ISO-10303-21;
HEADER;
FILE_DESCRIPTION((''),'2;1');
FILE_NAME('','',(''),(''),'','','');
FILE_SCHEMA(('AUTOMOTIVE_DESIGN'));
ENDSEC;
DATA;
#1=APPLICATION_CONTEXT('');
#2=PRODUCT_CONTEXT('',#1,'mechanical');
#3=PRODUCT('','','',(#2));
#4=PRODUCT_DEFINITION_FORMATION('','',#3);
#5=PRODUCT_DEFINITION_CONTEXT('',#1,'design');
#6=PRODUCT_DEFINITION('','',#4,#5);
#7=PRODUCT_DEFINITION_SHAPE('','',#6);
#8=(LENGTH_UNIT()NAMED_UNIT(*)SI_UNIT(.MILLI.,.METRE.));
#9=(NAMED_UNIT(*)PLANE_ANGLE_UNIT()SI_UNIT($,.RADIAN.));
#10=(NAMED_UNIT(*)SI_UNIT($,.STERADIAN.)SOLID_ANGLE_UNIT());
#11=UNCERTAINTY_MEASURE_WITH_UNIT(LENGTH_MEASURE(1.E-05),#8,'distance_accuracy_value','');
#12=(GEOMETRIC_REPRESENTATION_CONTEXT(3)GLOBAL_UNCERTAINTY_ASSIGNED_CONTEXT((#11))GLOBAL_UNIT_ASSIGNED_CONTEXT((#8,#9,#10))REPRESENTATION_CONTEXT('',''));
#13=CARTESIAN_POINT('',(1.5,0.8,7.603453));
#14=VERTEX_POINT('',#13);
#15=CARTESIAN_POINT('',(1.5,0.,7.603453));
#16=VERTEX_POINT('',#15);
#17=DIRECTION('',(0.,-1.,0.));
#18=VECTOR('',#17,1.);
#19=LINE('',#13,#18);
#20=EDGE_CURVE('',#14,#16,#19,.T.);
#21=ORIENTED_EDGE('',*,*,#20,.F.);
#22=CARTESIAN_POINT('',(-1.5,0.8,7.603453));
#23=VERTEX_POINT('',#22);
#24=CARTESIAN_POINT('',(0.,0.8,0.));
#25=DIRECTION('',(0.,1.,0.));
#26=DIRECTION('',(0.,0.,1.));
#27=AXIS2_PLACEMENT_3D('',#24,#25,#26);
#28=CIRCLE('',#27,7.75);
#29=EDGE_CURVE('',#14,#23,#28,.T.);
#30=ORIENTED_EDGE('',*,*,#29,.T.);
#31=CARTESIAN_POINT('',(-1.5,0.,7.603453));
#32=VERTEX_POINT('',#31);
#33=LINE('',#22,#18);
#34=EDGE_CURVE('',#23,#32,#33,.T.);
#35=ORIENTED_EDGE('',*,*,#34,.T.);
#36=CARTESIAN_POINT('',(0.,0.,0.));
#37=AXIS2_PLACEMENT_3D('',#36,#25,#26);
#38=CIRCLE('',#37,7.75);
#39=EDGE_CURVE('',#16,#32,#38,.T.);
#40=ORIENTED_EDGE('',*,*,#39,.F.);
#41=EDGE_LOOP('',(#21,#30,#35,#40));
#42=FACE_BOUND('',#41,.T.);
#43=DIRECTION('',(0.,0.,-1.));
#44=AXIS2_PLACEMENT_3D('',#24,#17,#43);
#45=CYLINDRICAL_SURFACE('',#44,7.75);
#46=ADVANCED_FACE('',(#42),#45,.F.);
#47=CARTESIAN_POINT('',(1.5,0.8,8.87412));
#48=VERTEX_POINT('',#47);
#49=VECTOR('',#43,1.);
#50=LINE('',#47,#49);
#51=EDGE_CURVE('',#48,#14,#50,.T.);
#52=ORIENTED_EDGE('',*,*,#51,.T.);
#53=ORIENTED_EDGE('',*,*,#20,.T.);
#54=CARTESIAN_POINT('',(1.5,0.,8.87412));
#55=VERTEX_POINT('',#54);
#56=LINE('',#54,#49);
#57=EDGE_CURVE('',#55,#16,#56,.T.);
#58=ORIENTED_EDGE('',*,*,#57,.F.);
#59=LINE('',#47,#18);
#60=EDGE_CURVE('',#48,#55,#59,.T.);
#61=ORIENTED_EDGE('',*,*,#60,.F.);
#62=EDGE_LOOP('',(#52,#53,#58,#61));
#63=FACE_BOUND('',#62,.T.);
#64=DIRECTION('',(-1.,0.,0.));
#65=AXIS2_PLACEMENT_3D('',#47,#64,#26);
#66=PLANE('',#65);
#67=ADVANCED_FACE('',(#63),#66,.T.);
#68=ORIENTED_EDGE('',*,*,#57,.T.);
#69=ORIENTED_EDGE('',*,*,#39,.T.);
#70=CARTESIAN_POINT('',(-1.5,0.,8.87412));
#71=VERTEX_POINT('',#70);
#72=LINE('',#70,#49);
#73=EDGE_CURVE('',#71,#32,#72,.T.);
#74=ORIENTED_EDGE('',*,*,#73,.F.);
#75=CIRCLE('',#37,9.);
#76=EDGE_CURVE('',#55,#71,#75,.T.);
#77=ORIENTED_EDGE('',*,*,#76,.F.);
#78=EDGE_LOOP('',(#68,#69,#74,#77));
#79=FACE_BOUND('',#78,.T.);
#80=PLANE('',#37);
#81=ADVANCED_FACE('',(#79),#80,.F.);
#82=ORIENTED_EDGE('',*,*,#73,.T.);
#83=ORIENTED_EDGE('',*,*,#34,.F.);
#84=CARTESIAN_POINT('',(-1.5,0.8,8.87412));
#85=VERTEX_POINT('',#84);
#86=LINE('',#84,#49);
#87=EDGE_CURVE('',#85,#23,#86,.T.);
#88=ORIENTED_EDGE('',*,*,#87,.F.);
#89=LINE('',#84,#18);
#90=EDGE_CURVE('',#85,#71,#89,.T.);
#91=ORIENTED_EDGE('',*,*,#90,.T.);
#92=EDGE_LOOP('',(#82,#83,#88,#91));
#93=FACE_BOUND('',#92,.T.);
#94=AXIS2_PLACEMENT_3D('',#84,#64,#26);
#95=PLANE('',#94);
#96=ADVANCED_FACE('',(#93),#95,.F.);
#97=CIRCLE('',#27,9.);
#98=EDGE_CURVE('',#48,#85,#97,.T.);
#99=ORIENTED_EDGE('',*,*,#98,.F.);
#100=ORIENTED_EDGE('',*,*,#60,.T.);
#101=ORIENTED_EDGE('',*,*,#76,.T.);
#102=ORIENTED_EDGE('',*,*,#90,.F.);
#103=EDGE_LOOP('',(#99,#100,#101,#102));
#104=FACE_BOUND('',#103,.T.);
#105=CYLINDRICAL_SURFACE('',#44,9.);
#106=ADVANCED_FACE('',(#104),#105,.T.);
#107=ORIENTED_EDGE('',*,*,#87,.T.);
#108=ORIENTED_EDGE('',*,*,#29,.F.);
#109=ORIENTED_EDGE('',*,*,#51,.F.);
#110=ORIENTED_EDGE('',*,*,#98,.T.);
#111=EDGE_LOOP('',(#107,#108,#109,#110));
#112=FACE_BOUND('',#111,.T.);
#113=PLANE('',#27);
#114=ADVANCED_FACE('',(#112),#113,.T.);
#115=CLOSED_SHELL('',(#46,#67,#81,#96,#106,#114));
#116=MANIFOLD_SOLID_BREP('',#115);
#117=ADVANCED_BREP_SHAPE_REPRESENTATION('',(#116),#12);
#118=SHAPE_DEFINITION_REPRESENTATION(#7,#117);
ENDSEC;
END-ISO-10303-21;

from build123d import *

# Parameters (mm, degrees)
BOSS_EXTRUDE1_DEPTH = 0.8


with BuildPart() as part:
    # Sketch1 → Boss-Extrude1 (new body)
    with BuildSketch(Plane(origin=(0, 0, 0), x_dir=(1, 0, 0), z_dir=(0, 1, 0))):
        with BuildLine():
            Line((1.5, -7.603453163), (1.5, -8.874119675))
            ThreePointArc((1.5, -8.874119675), (0, 9), (-1.5, -8.874119675))
            Line((-1.5, -8.874119675), (-1.5, -7.603453163))
            ThreePointArc((-1.5, -7.603453163), (0, 7.75), (1.5, -7.603453163))
        make_face()
    extrude(amount=BOSS_EXTRUDE1_DEPTH)


solid = part.part
